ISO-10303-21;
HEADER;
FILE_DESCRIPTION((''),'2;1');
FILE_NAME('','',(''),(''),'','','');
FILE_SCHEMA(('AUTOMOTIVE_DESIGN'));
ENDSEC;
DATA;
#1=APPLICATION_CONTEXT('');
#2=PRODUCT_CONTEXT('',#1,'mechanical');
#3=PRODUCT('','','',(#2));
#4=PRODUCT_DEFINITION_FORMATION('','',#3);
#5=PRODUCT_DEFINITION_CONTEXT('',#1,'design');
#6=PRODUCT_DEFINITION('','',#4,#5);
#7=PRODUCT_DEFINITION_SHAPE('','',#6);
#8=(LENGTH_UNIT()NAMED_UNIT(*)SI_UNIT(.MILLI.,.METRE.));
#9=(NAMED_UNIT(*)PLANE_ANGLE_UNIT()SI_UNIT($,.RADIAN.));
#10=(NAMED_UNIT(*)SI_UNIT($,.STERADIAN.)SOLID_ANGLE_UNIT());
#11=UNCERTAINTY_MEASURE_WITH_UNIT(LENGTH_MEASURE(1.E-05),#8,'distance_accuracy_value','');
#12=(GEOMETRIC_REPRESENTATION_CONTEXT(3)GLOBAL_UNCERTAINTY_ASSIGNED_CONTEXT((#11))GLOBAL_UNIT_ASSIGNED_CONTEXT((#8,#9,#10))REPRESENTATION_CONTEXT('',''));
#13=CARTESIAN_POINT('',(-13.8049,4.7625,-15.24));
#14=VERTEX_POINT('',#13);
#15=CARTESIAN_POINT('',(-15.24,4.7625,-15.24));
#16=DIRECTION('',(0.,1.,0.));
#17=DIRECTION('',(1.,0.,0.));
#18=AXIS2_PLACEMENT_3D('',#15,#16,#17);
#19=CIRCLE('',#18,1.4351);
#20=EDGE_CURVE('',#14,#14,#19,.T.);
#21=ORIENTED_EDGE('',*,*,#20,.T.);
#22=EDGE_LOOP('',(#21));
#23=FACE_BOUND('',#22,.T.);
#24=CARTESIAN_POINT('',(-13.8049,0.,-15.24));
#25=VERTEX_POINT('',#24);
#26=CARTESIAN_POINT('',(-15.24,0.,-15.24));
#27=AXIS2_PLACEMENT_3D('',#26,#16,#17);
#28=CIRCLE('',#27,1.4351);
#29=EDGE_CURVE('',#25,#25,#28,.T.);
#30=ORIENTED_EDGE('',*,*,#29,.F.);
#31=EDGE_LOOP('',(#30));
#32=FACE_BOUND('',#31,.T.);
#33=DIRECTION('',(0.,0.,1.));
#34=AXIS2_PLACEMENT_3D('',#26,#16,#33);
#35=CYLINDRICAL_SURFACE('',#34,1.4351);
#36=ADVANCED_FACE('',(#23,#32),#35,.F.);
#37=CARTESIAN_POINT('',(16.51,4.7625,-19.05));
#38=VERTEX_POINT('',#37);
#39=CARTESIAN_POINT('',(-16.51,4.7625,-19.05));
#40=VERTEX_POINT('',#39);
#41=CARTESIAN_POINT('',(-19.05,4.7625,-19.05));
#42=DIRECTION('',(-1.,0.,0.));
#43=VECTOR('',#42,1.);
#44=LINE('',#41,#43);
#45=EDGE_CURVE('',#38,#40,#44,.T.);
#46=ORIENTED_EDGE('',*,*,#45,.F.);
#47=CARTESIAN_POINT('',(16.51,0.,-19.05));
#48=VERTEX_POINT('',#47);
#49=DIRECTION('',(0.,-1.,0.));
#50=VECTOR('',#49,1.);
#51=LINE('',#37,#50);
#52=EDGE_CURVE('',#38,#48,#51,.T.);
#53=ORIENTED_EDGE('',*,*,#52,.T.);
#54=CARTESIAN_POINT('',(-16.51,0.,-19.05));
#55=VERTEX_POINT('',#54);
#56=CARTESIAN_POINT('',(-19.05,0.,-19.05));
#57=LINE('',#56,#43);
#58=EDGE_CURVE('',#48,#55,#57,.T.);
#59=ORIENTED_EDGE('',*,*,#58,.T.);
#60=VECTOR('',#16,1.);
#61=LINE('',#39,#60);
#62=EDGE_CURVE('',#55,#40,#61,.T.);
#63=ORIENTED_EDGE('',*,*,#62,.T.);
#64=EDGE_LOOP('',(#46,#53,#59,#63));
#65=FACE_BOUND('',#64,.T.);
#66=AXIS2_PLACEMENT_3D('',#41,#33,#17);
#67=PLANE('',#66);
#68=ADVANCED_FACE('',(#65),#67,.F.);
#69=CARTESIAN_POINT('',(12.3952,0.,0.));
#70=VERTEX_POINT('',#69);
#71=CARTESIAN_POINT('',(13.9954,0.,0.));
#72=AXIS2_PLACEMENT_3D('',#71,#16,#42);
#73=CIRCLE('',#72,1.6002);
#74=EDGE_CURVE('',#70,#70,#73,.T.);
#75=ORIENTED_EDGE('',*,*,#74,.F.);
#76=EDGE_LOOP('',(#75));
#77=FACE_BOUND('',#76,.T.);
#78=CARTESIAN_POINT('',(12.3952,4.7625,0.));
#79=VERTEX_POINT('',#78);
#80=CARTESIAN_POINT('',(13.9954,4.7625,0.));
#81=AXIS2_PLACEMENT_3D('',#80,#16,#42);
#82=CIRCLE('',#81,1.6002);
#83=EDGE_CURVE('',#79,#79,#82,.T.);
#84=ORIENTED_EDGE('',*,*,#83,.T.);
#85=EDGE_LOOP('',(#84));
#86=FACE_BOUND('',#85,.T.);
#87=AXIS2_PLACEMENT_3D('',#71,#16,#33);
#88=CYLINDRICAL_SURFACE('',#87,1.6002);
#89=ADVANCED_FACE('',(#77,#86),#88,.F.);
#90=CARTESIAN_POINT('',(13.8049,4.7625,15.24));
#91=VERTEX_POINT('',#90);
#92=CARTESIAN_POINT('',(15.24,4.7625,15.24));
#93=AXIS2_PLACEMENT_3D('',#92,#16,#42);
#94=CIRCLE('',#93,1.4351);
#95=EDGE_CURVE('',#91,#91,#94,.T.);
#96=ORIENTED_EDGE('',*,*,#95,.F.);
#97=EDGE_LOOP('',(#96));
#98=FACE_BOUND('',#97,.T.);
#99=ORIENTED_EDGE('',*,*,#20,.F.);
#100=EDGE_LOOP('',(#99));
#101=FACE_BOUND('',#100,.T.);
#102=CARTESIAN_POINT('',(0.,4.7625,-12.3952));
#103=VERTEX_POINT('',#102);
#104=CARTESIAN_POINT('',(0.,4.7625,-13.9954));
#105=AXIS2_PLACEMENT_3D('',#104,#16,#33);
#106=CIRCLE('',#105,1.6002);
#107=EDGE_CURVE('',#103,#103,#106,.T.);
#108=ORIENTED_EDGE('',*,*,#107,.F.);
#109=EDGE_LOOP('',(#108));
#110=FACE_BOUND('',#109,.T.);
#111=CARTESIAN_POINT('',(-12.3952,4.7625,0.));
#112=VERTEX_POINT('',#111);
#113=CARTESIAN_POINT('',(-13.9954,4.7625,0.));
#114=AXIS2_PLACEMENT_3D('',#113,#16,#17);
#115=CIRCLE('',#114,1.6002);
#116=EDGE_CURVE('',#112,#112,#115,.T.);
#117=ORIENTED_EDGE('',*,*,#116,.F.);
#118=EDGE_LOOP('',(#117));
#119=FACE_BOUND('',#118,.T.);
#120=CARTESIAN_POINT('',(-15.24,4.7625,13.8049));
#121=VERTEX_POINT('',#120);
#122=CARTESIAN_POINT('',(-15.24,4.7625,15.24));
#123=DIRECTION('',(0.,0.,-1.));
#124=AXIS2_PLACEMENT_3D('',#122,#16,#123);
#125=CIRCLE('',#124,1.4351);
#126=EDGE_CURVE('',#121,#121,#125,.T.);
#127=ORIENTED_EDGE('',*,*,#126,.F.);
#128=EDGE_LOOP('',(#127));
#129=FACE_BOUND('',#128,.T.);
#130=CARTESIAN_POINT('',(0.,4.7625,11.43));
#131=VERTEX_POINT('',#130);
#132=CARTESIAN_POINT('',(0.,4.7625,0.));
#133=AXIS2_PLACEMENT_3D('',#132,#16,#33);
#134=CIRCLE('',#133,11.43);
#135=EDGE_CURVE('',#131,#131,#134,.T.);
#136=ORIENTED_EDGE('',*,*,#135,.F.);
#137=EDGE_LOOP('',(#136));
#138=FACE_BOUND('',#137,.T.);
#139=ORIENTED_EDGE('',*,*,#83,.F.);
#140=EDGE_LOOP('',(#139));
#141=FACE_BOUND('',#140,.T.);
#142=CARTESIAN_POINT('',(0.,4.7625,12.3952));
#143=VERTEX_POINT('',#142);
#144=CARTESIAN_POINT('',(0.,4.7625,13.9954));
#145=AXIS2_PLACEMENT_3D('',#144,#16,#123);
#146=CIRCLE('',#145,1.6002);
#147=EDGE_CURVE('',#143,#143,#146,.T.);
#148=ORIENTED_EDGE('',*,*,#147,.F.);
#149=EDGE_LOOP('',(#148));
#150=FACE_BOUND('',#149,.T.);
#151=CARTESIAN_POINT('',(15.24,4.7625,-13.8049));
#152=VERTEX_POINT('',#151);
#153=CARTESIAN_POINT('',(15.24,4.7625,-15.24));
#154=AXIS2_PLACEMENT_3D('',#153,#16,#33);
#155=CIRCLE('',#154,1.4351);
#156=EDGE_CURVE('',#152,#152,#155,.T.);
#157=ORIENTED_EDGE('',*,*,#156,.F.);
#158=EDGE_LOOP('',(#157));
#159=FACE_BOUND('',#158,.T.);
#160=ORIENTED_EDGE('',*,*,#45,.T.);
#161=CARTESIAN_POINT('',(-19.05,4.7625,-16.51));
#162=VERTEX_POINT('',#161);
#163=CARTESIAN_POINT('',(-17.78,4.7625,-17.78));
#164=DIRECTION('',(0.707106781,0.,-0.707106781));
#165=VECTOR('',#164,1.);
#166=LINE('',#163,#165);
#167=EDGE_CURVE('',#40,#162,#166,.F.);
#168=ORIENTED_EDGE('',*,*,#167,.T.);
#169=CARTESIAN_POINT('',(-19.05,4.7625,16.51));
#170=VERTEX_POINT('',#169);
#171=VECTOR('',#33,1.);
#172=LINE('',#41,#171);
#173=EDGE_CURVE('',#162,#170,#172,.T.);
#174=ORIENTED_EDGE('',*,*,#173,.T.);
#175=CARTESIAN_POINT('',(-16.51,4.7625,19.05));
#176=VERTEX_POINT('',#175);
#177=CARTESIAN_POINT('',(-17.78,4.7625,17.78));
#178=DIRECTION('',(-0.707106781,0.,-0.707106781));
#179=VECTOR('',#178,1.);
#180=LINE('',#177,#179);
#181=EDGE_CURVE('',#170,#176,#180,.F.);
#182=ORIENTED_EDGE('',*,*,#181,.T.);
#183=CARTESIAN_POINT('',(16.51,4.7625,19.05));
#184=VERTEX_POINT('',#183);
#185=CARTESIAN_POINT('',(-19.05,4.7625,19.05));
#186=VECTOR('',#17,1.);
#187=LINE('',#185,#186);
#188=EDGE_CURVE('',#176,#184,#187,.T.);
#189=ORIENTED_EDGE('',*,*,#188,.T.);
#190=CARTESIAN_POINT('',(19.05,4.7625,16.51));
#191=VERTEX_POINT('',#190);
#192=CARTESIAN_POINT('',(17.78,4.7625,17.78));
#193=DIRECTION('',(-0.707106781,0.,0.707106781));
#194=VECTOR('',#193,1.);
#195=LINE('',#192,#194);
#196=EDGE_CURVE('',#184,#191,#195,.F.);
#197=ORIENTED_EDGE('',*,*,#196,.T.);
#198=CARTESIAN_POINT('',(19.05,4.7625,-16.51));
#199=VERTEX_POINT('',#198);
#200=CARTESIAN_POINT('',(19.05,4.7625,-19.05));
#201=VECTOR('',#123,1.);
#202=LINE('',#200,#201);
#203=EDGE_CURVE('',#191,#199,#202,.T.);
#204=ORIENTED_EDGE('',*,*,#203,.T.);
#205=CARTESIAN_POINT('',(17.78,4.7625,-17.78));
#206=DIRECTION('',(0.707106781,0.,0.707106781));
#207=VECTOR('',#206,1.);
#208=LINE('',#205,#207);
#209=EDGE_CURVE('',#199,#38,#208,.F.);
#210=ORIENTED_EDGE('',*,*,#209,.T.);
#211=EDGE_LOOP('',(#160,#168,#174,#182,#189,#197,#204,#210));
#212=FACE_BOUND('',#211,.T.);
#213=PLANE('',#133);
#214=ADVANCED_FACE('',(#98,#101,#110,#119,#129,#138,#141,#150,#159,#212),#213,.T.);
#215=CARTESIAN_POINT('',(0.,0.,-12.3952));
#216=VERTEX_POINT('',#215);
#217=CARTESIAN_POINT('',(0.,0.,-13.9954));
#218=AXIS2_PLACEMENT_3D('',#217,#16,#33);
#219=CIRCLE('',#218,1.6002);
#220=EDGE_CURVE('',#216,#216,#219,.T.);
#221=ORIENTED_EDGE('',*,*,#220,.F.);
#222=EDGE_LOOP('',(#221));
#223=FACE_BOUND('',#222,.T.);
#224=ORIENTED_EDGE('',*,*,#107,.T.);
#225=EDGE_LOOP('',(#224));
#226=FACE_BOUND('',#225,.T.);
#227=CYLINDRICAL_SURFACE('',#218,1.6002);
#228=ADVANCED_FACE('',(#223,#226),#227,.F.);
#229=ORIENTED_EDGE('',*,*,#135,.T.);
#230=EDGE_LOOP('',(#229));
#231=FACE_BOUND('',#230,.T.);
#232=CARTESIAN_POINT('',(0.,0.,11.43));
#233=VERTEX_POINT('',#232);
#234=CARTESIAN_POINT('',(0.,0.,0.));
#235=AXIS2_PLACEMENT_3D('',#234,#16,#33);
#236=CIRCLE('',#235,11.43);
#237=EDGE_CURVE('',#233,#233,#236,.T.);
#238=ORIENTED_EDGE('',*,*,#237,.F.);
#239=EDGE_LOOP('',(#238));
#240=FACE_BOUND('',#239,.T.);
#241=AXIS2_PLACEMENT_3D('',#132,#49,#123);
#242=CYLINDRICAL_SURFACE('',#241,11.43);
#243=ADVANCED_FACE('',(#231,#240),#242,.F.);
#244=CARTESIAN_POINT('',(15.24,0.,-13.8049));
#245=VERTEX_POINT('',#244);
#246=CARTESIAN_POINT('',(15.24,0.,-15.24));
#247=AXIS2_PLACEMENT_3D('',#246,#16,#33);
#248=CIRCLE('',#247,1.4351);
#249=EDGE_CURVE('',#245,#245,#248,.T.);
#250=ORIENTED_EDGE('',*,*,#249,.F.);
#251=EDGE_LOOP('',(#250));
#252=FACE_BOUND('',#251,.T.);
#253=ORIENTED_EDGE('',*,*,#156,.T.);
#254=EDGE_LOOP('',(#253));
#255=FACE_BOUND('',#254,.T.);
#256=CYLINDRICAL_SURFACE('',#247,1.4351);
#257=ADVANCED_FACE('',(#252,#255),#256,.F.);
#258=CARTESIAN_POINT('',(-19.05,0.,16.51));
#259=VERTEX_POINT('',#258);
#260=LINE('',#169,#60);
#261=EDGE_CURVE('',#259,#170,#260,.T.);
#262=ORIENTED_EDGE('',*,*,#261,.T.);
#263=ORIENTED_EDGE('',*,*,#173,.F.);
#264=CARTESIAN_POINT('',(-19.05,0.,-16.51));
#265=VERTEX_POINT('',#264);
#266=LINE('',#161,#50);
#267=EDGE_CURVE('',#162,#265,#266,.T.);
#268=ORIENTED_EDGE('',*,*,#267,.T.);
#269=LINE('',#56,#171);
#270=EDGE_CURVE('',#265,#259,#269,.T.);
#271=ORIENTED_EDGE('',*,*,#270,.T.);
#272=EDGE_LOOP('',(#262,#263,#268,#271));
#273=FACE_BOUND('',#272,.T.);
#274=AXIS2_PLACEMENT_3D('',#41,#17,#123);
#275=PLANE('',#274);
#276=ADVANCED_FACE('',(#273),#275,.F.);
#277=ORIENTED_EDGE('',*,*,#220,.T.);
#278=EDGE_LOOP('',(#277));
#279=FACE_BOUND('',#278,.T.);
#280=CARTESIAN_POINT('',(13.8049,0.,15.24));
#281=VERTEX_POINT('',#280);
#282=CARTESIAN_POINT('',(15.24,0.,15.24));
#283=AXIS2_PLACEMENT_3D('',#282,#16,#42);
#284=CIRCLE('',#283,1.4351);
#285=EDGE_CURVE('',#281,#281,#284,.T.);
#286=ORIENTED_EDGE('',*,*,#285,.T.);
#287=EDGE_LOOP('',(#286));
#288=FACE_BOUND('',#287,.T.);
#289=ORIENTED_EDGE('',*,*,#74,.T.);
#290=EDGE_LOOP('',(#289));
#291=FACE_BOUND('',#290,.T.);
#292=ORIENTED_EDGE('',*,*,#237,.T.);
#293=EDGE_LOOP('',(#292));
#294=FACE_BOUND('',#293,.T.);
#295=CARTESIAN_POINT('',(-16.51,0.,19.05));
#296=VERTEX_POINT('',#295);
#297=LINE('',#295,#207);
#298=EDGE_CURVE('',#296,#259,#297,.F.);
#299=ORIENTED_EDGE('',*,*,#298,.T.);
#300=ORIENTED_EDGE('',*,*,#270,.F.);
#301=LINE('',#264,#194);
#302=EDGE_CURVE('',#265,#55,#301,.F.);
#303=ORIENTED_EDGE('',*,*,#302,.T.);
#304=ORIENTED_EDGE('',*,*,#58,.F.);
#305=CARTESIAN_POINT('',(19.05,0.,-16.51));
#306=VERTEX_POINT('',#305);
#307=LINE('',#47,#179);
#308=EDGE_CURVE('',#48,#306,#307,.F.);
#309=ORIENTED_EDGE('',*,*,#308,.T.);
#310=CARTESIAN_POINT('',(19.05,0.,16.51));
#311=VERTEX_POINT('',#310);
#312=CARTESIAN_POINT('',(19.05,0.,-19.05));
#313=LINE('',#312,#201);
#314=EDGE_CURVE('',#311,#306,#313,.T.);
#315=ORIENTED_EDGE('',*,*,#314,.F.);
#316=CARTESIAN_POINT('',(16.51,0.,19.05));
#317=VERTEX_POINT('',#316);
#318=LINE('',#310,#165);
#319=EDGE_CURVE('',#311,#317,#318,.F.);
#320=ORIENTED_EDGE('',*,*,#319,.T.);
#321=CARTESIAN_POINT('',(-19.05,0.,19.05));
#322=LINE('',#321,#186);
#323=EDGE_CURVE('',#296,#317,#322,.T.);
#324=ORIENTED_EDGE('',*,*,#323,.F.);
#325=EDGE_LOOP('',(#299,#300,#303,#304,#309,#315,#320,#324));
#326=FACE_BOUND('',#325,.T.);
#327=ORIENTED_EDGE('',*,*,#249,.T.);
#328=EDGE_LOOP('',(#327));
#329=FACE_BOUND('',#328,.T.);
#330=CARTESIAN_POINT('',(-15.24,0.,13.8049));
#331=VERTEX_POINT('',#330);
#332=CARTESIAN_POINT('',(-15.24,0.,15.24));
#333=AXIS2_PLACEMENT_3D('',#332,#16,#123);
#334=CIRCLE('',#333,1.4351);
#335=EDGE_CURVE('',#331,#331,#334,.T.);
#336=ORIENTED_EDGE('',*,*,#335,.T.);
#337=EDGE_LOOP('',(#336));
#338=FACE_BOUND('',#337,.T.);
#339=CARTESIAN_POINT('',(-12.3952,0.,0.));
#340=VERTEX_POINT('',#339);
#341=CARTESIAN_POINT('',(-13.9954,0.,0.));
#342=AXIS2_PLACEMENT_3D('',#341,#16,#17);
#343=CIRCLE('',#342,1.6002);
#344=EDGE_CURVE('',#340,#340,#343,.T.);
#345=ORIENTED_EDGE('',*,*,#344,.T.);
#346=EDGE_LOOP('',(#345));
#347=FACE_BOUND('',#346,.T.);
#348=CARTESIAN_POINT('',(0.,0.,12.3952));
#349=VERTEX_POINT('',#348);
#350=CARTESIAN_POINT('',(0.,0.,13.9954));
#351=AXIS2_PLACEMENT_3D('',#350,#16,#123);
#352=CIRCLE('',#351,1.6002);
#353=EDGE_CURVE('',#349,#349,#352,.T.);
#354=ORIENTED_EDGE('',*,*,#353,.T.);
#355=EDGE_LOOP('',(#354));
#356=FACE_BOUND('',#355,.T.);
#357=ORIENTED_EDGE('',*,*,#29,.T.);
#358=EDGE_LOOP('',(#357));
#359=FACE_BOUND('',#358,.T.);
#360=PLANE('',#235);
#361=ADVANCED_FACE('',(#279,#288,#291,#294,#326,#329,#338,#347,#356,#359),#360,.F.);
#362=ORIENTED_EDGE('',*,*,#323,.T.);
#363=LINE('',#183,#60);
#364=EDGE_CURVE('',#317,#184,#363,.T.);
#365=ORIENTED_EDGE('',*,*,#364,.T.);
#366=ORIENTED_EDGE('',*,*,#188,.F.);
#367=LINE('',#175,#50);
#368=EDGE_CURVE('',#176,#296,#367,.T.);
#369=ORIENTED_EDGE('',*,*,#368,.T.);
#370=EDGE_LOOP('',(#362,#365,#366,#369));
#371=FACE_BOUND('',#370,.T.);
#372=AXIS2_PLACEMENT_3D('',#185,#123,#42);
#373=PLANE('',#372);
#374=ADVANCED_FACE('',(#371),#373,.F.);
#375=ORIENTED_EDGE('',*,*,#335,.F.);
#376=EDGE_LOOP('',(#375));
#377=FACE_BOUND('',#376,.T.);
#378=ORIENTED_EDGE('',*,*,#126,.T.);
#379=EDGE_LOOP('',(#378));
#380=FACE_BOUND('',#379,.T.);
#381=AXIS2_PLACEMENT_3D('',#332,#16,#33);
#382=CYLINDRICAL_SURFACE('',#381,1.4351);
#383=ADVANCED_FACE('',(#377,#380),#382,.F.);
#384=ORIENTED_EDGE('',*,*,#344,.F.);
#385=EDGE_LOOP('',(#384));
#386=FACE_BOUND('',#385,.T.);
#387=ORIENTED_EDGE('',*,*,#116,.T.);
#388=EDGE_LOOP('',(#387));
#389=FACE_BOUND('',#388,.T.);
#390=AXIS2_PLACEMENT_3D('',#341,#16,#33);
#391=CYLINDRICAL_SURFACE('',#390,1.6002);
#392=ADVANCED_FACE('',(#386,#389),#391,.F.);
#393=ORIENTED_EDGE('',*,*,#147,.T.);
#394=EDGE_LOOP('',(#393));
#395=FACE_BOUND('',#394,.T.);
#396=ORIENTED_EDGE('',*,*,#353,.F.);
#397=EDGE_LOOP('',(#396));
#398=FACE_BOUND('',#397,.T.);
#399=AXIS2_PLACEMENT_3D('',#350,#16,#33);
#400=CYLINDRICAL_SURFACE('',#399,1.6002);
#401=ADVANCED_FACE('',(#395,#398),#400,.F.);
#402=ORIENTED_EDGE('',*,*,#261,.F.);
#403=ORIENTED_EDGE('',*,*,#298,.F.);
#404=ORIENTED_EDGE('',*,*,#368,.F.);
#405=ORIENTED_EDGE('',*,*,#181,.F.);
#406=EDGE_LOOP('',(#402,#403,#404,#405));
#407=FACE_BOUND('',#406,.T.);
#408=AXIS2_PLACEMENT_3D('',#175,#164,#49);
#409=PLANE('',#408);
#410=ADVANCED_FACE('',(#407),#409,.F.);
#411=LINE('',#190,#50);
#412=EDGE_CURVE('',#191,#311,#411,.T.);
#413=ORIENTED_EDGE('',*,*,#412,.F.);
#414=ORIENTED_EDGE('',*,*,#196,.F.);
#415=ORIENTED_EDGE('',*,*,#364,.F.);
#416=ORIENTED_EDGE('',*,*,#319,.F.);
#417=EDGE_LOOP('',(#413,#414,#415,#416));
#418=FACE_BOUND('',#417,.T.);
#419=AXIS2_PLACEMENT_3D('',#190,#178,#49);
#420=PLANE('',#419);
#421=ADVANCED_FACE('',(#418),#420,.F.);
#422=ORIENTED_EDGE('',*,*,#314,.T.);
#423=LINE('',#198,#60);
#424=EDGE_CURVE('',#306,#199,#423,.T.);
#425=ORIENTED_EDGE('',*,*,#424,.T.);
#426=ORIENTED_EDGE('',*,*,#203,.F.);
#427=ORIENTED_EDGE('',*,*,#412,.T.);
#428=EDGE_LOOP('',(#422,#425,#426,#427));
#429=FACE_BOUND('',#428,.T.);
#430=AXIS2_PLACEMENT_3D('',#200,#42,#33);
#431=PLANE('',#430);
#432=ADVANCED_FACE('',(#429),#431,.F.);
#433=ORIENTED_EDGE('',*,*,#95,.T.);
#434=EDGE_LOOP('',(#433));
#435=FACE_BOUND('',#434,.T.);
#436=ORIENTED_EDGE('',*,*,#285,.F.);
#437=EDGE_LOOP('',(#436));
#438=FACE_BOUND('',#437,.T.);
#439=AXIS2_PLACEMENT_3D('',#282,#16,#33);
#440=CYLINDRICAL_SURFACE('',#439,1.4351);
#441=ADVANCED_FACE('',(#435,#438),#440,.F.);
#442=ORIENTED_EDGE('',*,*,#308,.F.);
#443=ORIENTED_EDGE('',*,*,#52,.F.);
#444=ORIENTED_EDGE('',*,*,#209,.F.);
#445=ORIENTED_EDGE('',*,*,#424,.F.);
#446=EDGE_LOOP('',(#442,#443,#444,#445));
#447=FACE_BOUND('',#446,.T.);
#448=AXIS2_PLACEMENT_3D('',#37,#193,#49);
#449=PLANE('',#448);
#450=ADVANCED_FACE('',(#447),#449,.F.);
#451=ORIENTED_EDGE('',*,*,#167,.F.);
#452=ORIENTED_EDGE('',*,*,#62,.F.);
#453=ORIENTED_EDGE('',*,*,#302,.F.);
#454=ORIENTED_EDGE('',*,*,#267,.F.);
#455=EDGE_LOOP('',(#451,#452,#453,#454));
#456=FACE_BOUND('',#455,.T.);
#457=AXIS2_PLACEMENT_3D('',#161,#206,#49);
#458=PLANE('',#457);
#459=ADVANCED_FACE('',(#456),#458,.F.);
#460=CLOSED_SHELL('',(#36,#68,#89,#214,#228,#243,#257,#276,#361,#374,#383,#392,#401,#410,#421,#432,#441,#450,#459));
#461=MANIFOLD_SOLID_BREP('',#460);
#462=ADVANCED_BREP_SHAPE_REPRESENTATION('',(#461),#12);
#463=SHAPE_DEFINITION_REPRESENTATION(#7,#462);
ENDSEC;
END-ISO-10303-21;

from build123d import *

# Parameters (mm, degrees)
SKETCH1_W           = 38.1
SKETCH1_H           = 38.1
SKETCH1_R           = 11.43
BOSS_EXTRUDE1_DEPTH = 4.7625
SKETCH2_R           = 1.6002
SKETCH2_R_2         = 1.4351
CUT_EXTRUDE1_DEPTH  = 5.7625
CIRPATTERN1_COUNT   = 4
CHAMFER1_SIZE       = 2.54


with BuildPart() as part:
    # Sketch1 → Boss-Extrude1 (new body)
    with BuildSketch(Plane(origin=(0, 0, 0), x_dir=(1, 0, 0), z_dir=(0, 1, 0))):
        Rectangle(SKETCH1_W, SKETCH1_H)
        Circle(SKETCH1_R, mode=Mode.SUBTRACT)
    extrude(amount=BOSS_EXTRUDE1_DEPTH)

    # Sketch2 → Cut-Extrude1 (cut, through all)
    with BuildSketch(Plane(origin=(0, 4.7625, 0), x_dir=(1, 0, 0), z_dir=(0, 1, 0))):
        with Locations((0, 13.9954)):
            Circle(SKETCH2_R)
        with Locations((15.24, 15.24)):
            Circle(SKETCH2_R_2)
    cut_extrude1 = extrude(amount=-CUT_EXTRUDE1_DEPTH, mode=Mode.SUBTRACT)

    # CirPattern1: Cut-Extrude1 ×4 about axis
    cirpattern1_axis = Axis((0, 0, 0), (0, 1, 0))
    for i in range(1, CIRPATTERN1_COUNT):
        add(cut_extrude1.rotate(cirpattern1_axis, i * 360 / CIRPATTERN1_COUNT), mode=Mode.SUBTRACT)

    # Chamfer1
    chamfer1_edges = [part.edges().sort_by_distance(p)[0] for p in [
        (19.05, 2.38125, 19.05),
        (-19.05, 2.38125, 19.05),
        (-19.05, 2.38125, -19.05),
        (19.05, 2.38125, -19.05),
    ]]
    chamfer(chamfer1_edges, length=CHAMFER1_SIZE)


solid = part.part
